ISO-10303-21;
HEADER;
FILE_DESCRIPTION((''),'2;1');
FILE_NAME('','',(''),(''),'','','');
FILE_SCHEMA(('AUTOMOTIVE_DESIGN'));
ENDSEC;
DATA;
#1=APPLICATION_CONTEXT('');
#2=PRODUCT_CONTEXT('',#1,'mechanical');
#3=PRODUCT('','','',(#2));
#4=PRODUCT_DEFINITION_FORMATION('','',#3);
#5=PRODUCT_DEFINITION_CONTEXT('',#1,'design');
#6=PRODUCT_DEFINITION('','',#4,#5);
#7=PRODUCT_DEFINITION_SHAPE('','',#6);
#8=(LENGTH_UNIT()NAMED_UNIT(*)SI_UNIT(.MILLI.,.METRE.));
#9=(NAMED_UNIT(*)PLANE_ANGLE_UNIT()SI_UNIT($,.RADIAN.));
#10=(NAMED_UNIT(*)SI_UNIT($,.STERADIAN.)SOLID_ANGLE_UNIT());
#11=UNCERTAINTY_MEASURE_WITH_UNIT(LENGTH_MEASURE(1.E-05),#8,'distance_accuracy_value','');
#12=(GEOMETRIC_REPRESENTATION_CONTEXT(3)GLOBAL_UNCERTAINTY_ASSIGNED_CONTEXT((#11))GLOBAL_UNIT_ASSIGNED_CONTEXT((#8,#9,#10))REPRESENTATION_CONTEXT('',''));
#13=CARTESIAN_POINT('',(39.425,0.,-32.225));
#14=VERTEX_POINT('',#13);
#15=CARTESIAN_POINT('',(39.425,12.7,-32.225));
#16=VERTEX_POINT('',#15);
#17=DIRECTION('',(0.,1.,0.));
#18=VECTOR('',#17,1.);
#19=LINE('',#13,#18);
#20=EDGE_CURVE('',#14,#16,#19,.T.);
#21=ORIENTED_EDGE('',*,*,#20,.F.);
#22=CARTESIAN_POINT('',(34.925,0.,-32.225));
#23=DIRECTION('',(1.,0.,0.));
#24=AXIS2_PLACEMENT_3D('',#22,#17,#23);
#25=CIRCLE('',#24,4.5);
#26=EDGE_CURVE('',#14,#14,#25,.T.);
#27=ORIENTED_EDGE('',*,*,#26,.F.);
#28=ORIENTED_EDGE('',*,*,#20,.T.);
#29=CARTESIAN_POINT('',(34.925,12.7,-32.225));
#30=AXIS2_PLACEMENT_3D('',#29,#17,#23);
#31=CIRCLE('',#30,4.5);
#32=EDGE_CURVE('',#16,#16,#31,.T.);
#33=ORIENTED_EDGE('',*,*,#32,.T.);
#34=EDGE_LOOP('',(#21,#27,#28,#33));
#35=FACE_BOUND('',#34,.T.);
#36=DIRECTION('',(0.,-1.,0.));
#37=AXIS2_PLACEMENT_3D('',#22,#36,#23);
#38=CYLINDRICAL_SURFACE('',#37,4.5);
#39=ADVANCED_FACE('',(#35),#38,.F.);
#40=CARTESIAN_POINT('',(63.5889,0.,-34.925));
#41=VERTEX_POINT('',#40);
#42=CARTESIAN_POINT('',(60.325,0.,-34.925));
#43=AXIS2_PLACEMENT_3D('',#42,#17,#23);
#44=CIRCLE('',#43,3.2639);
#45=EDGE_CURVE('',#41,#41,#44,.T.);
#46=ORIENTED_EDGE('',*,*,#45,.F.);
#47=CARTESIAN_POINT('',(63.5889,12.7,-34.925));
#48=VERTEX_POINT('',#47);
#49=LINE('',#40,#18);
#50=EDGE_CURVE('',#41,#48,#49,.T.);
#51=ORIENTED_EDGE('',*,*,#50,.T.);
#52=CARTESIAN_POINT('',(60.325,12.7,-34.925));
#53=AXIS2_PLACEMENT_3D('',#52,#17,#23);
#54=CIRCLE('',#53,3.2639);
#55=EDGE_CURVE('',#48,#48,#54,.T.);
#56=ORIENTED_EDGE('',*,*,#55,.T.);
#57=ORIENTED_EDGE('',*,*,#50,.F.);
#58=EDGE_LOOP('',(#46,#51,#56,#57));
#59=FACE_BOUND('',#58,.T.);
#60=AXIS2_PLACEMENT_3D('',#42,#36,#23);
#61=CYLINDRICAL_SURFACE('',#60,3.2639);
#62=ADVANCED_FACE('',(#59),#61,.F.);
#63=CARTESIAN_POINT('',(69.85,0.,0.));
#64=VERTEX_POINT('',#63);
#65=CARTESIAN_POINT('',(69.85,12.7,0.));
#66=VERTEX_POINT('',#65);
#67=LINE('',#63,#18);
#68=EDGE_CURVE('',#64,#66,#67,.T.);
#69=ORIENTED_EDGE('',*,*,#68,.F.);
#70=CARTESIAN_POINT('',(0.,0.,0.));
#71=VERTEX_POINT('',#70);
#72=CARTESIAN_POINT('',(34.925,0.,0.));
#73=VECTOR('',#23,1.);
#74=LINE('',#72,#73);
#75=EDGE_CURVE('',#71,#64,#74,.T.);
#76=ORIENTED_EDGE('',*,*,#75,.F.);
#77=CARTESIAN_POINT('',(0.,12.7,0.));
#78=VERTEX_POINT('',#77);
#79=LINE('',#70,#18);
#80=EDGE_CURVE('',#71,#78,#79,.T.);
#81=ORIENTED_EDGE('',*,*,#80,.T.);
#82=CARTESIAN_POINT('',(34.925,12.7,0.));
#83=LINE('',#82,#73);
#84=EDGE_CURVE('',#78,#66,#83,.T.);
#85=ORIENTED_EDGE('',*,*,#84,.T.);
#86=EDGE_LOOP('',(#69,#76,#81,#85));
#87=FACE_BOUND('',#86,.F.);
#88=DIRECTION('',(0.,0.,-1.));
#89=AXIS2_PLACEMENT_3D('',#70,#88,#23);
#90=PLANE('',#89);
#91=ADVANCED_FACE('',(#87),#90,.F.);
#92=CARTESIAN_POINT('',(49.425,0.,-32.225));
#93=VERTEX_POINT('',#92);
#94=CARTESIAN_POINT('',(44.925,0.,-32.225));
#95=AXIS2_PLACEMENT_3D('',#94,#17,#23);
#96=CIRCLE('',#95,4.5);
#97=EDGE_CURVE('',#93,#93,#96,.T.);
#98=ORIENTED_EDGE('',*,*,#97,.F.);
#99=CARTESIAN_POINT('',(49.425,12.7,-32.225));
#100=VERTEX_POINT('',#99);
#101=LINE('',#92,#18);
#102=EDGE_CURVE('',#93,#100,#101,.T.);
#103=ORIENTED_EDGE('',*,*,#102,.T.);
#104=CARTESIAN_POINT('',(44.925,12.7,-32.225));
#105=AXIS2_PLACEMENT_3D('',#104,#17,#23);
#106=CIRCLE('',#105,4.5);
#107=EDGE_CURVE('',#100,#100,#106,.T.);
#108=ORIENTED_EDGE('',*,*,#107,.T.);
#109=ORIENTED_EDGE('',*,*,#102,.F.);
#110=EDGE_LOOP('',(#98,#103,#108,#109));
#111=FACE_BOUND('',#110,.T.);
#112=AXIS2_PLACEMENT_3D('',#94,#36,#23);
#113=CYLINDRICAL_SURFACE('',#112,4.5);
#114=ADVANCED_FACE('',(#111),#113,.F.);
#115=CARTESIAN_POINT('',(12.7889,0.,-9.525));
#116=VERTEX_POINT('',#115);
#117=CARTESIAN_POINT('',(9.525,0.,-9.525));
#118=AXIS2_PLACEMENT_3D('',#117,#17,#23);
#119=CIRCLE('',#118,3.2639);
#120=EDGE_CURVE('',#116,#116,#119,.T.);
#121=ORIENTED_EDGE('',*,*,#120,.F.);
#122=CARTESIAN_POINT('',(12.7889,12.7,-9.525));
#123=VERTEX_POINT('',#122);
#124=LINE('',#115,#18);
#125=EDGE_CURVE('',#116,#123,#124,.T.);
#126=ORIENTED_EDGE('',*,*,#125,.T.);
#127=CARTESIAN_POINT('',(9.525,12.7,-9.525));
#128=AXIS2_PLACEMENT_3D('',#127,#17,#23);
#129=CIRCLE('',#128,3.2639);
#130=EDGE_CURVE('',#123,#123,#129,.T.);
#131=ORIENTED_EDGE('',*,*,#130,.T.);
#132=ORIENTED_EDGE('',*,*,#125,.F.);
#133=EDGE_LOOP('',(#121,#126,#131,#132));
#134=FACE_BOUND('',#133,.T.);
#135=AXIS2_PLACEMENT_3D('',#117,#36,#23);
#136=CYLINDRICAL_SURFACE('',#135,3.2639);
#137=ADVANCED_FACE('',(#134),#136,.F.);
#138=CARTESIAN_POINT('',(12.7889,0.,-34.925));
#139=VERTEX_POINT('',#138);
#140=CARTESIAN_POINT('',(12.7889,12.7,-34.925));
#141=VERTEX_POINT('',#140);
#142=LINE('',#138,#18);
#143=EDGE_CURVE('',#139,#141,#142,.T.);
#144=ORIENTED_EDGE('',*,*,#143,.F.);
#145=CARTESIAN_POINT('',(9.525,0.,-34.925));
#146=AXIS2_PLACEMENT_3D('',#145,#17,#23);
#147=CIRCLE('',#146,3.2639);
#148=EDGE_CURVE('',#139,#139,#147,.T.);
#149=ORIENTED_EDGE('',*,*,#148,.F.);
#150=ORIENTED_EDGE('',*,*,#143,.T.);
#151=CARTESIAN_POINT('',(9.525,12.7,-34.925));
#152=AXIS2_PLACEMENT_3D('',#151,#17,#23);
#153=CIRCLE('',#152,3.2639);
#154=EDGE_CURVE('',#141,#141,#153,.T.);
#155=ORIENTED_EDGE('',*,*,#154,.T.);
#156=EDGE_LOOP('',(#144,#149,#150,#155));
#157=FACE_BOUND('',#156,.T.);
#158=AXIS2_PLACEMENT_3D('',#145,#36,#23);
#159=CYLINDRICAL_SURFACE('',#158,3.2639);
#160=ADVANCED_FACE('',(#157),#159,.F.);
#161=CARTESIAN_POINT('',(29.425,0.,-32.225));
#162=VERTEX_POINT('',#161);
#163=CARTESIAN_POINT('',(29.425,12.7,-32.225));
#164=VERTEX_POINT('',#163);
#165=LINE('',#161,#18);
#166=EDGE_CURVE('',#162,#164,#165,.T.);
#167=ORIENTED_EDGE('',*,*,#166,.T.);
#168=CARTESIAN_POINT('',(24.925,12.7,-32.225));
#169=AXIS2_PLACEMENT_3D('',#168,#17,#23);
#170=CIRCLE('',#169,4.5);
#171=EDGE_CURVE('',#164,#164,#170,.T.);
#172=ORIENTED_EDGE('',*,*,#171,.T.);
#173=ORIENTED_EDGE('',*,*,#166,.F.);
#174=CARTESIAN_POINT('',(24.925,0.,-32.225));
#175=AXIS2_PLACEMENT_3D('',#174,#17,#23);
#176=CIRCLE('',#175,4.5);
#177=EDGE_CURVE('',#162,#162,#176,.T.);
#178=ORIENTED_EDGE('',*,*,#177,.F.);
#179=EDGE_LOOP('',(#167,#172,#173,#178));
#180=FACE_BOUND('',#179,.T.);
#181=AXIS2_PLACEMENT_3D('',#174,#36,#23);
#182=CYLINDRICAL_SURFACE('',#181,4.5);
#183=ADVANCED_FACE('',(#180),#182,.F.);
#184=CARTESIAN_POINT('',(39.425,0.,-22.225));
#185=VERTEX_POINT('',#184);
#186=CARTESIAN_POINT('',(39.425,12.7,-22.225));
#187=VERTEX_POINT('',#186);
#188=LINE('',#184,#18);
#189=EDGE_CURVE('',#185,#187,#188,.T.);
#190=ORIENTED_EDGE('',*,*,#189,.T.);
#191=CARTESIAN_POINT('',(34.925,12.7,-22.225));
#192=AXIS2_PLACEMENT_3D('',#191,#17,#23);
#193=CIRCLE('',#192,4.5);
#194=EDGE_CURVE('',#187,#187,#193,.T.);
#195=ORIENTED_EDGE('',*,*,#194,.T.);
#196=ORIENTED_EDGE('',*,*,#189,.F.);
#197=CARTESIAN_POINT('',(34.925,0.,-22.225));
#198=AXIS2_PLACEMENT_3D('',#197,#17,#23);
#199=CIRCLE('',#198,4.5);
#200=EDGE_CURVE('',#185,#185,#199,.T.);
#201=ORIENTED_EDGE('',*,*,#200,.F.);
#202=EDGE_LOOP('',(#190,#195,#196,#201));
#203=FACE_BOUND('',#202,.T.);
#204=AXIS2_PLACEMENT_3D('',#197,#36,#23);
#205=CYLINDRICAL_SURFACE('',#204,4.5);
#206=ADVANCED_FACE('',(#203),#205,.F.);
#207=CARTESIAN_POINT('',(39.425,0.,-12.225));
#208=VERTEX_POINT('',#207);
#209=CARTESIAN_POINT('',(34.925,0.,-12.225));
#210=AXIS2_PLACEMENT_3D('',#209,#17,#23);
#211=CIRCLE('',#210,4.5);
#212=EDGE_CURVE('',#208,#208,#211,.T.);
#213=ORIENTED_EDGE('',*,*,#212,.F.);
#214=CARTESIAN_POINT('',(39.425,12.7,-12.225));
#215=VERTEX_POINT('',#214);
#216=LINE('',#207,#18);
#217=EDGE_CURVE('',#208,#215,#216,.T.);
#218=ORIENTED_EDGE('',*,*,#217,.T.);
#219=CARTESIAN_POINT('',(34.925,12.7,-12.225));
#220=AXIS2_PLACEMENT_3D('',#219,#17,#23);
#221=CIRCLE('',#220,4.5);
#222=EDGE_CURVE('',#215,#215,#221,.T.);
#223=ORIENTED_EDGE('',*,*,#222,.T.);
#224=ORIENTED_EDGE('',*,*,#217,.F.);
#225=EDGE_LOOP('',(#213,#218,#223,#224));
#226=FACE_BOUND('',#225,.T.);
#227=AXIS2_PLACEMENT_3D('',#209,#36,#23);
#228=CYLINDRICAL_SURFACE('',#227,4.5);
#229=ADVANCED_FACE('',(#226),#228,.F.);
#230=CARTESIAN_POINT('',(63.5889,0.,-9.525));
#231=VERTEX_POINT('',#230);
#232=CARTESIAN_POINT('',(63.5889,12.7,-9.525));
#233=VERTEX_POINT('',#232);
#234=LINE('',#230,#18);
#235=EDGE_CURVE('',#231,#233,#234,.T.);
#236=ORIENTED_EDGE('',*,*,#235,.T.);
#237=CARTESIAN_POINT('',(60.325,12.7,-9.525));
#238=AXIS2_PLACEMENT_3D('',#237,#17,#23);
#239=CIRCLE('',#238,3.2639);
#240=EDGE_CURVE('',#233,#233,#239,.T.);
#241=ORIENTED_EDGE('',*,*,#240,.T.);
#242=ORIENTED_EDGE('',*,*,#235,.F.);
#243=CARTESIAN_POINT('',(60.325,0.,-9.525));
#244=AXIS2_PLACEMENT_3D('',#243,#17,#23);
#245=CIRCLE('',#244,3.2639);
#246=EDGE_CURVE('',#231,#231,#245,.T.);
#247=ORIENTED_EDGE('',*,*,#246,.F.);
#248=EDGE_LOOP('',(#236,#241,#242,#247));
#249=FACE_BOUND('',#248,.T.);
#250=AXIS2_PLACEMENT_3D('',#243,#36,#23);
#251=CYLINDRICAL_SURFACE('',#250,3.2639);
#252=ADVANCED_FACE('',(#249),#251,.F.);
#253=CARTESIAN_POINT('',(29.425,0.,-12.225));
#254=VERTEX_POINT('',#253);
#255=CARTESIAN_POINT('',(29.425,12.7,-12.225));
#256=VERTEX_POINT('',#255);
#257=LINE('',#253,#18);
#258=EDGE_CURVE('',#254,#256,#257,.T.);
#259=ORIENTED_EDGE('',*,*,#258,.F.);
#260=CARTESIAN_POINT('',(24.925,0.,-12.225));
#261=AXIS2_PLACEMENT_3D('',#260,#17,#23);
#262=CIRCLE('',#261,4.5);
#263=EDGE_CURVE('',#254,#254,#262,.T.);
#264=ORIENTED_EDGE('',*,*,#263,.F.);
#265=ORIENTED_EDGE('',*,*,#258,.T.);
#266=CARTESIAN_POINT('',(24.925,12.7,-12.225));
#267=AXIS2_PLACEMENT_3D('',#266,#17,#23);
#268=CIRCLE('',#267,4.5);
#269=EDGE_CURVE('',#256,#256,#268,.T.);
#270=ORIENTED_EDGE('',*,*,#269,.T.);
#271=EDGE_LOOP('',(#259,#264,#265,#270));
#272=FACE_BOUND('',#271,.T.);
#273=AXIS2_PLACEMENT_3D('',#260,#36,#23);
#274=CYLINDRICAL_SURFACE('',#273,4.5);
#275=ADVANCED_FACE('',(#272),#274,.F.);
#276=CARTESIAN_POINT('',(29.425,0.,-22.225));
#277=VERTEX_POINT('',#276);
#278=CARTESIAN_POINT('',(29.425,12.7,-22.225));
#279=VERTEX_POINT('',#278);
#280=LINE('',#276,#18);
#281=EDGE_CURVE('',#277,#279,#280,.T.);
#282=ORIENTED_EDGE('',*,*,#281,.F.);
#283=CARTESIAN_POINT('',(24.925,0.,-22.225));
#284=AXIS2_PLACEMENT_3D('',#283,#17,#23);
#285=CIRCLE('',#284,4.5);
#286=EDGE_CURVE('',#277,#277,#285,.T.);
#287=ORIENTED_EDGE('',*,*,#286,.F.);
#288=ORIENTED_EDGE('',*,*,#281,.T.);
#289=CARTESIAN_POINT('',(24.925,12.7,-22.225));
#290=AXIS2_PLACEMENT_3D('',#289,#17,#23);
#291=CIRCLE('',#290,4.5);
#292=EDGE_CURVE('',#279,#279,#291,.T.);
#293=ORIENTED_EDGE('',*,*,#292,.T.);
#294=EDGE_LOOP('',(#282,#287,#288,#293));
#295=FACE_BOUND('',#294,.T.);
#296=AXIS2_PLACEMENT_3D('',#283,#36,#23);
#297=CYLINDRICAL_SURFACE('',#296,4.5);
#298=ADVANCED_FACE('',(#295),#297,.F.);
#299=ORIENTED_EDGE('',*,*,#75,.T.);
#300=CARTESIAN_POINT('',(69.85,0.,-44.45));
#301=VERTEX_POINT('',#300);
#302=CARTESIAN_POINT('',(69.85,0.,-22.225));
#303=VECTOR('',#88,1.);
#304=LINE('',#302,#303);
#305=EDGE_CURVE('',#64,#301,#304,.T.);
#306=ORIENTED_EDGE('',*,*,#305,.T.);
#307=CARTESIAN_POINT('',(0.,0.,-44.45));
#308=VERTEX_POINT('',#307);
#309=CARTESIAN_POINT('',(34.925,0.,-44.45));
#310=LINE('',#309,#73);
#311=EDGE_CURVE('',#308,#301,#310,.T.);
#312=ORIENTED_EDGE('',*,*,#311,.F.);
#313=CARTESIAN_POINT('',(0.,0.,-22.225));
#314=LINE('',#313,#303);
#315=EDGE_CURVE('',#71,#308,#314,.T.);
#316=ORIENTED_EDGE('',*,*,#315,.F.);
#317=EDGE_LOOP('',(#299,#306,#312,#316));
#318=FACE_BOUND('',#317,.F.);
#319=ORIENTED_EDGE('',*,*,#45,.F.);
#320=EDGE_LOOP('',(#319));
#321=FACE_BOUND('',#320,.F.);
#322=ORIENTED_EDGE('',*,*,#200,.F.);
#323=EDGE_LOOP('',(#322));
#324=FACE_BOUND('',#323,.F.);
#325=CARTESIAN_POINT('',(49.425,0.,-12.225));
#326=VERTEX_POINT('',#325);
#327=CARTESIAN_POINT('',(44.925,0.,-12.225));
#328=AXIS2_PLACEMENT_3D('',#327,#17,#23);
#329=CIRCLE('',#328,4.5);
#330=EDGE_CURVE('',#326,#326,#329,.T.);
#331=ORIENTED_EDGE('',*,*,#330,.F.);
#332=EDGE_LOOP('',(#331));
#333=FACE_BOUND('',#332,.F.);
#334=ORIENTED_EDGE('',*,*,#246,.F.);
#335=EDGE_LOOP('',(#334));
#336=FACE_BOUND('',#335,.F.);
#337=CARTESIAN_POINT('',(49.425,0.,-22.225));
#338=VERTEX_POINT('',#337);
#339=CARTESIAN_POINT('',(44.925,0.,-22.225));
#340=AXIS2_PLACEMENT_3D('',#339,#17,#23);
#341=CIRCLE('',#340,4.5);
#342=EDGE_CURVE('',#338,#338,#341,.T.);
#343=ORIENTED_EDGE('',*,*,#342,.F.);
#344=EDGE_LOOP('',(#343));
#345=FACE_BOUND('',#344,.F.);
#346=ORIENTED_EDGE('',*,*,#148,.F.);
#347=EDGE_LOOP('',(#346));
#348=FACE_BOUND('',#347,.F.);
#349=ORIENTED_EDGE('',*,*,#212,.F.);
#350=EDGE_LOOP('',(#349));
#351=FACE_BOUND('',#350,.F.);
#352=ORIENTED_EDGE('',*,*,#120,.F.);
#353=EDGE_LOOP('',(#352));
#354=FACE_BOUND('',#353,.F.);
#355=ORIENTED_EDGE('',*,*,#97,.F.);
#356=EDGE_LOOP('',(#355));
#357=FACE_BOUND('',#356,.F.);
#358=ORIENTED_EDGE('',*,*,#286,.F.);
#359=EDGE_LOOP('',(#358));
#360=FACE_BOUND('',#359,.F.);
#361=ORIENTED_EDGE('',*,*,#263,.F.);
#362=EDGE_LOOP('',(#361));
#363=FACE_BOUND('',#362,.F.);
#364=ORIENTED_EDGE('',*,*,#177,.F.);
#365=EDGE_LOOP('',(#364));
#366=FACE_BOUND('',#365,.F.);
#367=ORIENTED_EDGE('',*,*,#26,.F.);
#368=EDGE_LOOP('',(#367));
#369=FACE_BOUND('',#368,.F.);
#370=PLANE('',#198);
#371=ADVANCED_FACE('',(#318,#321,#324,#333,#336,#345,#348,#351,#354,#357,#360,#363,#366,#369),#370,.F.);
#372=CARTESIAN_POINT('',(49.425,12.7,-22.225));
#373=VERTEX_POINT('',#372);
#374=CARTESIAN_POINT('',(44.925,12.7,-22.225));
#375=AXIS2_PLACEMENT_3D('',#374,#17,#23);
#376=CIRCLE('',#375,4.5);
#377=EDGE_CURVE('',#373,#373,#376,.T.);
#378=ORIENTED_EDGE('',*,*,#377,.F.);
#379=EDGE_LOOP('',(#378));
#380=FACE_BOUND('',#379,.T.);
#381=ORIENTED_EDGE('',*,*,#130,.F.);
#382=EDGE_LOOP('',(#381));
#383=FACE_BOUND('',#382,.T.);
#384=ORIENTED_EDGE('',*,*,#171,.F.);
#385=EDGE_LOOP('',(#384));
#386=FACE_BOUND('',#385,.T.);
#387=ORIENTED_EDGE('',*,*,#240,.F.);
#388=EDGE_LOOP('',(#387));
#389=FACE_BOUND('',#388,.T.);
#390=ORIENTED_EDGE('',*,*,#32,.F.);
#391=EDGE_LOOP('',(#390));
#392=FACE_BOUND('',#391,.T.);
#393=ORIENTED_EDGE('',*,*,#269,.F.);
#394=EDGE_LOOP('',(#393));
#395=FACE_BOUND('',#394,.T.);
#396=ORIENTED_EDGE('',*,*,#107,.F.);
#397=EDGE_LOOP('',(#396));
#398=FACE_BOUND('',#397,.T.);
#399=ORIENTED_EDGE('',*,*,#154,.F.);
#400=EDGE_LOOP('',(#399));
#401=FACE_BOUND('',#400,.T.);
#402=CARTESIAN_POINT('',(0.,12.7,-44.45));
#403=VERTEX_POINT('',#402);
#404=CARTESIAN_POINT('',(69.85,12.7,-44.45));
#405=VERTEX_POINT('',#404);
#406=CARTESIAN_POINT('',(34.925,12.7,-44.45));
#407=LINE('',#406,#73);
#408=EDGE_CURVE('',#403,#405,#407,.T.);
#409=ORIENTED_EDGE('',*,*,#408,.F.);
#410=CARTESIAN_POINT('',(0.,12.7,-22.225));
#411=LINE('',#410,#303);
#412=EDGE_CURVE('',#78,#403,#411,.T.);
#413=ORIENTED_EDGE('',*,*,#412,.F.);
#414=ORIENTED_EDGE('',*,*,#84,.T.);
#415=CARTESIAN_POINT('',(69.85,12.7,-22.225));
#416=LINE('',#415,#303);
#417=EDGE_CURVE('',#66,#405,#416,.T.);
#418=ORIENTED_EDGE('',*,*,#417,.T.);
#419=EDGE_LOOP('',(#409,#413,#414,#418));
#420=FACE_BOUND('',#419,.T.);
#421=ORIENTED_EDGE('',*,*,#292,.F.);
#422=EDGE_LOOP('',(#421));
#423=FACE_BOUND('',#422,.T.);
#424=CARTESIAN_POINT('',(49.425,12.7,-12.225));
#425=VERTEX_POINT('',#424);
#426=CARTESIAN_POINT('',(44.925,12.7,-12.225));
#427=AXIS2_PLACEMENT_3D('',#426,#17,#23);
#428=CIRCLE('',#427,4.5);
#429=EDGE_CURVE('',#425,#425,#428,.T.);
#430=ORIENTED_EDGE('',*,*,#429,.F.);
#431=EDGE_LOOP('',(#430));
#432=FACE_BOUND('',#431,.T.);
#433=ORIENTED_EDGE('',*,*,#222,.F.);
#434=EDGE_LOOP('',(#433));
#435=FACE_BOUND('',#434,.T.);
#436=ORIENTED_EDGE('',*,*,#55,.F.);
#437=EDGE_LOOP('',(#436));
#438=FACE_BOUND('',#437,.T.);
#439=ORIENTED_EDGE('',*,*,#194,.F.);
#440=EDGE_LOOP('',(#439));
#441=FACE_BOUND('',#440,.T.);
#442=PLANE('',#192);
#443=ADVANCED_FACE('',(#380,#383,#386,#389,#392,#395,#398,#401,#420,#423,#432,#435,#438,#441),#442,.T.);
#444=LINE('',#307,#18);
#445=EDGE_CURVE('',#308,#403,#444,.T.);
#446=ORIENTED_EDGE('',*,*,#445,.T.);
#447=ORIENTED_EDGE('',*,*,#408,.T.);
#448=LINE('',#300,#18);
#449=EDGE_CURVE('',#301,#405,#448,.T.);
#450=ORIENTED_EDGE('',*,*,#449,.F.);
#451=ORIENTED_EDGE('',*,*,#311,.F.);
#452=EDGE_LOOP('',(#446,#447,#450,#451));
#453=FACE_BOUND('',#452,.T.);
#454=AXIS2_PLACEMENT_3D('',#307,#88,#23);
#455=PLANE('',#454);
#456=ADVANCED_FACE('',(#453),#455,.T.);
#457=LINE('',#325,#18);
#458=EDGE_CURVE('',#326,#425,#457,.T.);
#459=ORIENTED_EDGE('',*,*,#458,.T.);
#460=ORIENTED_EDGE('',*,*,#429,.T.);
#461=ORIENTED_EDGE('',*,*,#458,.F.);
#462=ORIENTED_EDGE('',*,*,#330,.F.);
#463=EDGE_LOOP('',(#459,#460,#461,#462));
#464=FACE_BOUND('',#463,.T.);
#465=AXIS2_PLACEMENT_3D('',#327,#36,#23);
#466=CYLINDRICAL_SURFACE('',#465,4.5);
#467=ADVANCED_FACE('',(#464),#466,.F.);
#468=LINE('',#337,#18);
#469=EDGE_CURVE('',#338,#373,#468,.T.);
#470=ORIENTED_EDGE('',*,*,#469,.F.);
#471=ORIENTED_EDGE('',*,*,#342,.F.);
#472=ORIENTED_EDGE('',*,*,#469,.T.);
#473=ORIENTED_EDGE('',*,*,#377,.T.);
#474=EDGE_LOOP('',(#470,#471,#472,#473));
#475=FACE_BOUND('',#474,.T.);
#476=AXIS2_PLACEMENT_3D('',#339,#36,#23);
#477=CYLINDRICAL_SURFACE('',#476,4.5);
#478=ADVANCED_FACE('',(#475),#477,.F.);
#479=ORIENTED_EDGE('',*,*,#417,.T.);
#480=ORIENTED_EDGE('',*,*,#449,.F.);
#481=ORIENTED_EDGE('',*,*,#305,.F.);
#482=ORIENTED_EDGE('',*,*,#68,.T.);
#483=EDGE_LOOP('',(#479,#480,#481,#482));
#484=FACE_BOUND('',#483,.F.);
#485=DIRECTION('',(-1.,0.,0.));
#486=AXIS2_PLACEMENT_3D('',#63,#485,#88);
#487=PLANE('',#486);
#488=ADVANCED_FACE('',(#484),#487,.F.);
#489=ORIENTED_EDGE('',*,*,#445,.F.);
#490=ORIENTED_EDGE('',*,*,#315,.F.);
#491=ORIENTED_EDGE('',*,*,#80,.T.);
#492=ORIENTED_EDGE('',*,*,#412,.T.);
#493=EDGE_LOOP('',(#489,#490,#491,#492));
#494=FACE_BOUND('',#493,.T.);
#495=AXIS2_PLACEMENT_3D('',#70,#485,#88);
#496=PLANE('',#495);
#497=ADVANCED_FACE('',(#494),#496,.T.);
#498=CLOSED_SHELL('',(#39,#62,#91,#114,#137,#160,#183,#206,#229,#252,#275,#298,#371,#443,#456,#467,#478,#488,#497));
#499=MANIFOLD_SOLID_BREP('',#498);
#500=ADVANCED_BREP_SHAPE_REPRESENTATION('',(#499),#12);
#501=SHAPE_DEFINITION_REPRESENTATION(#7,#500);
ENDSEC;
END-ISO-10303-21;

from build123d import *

# Parameters (mm, degrees)
SKETCH1_W           = 69.85
SKETCH1_H           = 44.45
SKETCH1_R           = 4.5
SKETCH1_R_2         = 3.2639
BOSS_EXTRUDE1_DEPTH = 12.7


with BuildPart() as part:
    # Sketch1 → Boss-Extrude1 (new body)
    with BuildSketch(Plane(origin=(0, 0, 0), x_dir=(1, 0, 0), z_dir=(0, 1, 0))):
        with Locations((34.925, 22.225)):
            Rectangle(SKETCH1_W, SKETCH1_H)
        with Locations((24.925, 12.225)):
            Circle(SKETCH1_R, mode=Mode.SUBTRACT)
        with Locations((34.925, 12.225)):
            Circle(SKETCH1_R, mode=Mode.SUBTRACT)
        with Locations((44.925, 12.225)):
            Circle(SKETCH1_R, mode=Mode.SUBTRACT)
        with Locations((24.925, 32.225)):
            Circle(SKETCH1_R, mode=Mode.SUBTRACT)
        with Locations((24.925, 22.225)):
            Circle(SKETCH1_R, mode=Mode.SUBTRACT)
        with Locations((34.925, 32.225)):
            Circle(SKETCH1_R, mode=Mode.SUBTRACT)
        with Locations((44.925, 32.225)):
            Circle(SKETCH1_R, mode=Mode.SUBTRACT)
        with Locations((44.925, 22.225)):
            Circle(SKETCH1_R, mode=Mode.SUBTRACT)
        with Locations((34.925, 22.225)):
            Circle(SKETCH1_R, mode=Mode.SUBTRACT)
        with Locations((60.325, 9.525)):
            Circle(SKETCH1_R_2, mode=Mode.SUBTRACT)
        with Locations((9.525, 9.525)):
            Circle(SKETCH1_R_2, mode=Mode.SUBTRACT)
        with Locations((60.325, 34.925)):
            Circle(SKETCH1_R_2, mode=Mode.SUBTRACT)
        with Locations((9.525, 34.925)):
            Circle(SKETCH1_R_2, mode=Mode.SUBTRACT)
    extrude(amount=BOSS_EXTRUDE1_DEPTH)


solid = part.part
